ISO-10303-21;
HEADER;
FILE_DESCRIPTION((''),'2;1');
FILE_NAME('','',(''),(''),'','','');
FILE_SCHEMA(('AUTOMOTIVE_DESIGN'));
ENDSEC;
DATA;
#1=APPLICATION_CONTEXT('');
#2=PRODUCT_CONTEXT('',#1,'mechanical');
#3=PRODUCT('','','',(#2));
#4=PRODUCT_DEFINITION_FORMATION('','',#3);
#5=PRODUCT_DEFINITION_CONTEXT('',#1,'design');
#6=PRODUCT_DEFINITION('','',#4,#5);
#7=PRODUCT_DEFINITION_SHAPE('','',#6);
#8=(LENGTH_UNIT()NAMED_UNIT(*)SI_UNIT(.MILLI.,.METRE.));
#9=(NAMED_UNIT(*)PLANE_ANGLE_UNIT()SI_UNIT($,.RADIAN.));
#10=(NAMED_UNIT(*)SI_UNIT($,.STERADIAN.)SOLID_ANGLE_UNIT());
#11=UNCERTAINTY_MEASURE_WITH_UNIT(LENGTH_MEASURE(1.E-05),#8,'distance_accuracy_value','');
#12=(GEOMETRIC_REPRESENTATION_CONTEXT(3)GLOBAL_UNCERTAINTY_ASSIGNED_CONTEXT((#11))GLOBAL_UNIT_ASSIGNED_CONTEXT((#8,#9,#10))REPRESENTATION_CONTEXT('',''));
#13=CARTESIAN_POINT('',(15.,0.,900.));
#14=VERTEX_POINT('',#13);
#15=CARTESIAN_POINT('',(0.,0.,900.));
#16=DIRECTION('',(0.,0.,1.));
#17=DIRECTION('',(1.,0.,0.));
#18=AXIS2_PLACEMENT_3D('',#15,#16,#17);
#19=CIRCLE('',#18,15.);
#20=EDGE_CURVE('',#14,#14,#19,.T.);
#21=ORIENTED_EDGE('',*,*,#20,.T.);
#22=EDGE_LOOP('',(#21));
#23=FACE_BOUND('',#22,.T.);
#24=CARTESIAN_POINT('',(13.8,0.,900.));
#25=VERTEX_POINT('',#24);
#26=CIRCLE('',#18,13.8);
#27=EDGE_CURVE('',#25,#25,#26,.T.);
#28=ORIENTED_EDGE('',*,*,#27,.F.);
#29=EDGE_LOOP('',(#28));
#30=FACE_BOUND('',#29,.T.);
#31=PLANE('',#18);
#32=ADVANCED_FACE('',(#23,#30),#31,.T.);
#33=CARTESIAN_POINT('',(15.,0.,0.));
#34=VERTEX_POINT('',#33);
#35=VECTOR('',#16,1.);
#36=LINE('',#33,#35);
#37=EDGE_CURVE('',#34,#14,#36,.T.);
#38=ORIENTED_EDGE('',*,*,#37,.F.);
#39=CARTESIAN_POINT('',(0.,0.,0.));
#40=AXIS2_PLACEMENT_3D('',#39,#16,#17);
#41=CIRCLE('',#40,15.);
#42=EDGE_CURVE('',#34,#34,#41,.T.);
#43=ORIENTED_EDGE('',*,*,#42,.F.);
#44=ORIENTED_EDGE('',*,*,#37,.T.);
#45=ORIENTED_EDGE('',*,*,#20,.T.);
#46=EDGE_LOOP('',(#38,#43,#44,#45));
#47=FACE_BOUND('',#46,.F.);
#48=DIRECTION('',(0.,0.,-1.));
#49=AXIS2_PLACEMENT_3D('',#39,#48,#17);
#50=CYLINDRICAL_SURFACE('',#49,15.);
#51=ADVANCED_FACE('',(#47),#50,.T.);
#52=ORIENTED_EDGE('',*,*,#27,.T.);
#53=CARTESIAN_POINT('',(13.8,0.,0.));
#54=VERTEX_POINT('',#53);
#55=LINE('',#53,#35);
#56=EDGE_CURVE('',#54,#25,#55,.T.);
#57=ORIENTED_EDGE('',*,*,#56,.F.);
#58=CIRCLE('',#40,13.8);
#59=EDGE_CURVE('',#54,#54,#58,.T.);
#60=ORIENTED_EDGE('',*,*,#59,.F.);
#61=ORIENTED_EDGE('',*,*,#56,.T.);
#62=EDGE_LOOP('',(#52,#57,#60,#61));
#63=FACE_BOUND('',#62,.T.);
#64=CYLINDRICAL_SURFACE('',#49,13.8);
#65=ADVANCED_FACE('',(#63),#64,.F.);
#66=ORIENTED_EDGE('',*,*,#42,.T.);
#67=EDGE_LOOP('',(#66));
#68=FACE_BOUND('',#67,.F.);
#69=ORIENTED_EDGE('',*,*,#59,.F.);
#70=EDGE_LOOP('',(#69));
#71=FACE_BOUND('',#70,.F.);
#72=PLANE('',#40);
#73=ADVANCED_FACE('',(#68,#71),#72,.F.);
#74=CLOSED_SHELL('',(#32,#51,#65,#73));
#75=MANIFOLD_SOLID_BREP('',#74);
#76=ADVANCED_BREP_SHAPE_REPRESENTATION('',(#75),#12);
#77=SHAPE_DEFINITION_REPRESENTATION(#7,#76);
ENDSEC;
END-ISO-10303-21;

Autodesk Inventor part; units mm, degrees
ref_plane "YZ Plane" through (0, 0, 0) normal (1, 0, 0) x (0, 1, 0)
ref_plane "XZ Plane" through (0, 0, 0) normal (0, 1, 0) x (-1, 0, 0)
ref_plane "XY Plane" through (0, 0, 0) normal (0, 0, 1) x (1, 0, 0)
sketch "Sketch1" plane through (0, 0, 0) normal (0, 0, 1) x (1, 0, 0)
  circle A0 centre (0, 0) radius 15
  circle A1 centre (0, 0) radius 13.8
  dimension "d0" = 30
  dimension "d1" = 1.2
extrude "Extrusion1" add sketch "Sketch1" along normal blind 900
properties part number "batang_900"
